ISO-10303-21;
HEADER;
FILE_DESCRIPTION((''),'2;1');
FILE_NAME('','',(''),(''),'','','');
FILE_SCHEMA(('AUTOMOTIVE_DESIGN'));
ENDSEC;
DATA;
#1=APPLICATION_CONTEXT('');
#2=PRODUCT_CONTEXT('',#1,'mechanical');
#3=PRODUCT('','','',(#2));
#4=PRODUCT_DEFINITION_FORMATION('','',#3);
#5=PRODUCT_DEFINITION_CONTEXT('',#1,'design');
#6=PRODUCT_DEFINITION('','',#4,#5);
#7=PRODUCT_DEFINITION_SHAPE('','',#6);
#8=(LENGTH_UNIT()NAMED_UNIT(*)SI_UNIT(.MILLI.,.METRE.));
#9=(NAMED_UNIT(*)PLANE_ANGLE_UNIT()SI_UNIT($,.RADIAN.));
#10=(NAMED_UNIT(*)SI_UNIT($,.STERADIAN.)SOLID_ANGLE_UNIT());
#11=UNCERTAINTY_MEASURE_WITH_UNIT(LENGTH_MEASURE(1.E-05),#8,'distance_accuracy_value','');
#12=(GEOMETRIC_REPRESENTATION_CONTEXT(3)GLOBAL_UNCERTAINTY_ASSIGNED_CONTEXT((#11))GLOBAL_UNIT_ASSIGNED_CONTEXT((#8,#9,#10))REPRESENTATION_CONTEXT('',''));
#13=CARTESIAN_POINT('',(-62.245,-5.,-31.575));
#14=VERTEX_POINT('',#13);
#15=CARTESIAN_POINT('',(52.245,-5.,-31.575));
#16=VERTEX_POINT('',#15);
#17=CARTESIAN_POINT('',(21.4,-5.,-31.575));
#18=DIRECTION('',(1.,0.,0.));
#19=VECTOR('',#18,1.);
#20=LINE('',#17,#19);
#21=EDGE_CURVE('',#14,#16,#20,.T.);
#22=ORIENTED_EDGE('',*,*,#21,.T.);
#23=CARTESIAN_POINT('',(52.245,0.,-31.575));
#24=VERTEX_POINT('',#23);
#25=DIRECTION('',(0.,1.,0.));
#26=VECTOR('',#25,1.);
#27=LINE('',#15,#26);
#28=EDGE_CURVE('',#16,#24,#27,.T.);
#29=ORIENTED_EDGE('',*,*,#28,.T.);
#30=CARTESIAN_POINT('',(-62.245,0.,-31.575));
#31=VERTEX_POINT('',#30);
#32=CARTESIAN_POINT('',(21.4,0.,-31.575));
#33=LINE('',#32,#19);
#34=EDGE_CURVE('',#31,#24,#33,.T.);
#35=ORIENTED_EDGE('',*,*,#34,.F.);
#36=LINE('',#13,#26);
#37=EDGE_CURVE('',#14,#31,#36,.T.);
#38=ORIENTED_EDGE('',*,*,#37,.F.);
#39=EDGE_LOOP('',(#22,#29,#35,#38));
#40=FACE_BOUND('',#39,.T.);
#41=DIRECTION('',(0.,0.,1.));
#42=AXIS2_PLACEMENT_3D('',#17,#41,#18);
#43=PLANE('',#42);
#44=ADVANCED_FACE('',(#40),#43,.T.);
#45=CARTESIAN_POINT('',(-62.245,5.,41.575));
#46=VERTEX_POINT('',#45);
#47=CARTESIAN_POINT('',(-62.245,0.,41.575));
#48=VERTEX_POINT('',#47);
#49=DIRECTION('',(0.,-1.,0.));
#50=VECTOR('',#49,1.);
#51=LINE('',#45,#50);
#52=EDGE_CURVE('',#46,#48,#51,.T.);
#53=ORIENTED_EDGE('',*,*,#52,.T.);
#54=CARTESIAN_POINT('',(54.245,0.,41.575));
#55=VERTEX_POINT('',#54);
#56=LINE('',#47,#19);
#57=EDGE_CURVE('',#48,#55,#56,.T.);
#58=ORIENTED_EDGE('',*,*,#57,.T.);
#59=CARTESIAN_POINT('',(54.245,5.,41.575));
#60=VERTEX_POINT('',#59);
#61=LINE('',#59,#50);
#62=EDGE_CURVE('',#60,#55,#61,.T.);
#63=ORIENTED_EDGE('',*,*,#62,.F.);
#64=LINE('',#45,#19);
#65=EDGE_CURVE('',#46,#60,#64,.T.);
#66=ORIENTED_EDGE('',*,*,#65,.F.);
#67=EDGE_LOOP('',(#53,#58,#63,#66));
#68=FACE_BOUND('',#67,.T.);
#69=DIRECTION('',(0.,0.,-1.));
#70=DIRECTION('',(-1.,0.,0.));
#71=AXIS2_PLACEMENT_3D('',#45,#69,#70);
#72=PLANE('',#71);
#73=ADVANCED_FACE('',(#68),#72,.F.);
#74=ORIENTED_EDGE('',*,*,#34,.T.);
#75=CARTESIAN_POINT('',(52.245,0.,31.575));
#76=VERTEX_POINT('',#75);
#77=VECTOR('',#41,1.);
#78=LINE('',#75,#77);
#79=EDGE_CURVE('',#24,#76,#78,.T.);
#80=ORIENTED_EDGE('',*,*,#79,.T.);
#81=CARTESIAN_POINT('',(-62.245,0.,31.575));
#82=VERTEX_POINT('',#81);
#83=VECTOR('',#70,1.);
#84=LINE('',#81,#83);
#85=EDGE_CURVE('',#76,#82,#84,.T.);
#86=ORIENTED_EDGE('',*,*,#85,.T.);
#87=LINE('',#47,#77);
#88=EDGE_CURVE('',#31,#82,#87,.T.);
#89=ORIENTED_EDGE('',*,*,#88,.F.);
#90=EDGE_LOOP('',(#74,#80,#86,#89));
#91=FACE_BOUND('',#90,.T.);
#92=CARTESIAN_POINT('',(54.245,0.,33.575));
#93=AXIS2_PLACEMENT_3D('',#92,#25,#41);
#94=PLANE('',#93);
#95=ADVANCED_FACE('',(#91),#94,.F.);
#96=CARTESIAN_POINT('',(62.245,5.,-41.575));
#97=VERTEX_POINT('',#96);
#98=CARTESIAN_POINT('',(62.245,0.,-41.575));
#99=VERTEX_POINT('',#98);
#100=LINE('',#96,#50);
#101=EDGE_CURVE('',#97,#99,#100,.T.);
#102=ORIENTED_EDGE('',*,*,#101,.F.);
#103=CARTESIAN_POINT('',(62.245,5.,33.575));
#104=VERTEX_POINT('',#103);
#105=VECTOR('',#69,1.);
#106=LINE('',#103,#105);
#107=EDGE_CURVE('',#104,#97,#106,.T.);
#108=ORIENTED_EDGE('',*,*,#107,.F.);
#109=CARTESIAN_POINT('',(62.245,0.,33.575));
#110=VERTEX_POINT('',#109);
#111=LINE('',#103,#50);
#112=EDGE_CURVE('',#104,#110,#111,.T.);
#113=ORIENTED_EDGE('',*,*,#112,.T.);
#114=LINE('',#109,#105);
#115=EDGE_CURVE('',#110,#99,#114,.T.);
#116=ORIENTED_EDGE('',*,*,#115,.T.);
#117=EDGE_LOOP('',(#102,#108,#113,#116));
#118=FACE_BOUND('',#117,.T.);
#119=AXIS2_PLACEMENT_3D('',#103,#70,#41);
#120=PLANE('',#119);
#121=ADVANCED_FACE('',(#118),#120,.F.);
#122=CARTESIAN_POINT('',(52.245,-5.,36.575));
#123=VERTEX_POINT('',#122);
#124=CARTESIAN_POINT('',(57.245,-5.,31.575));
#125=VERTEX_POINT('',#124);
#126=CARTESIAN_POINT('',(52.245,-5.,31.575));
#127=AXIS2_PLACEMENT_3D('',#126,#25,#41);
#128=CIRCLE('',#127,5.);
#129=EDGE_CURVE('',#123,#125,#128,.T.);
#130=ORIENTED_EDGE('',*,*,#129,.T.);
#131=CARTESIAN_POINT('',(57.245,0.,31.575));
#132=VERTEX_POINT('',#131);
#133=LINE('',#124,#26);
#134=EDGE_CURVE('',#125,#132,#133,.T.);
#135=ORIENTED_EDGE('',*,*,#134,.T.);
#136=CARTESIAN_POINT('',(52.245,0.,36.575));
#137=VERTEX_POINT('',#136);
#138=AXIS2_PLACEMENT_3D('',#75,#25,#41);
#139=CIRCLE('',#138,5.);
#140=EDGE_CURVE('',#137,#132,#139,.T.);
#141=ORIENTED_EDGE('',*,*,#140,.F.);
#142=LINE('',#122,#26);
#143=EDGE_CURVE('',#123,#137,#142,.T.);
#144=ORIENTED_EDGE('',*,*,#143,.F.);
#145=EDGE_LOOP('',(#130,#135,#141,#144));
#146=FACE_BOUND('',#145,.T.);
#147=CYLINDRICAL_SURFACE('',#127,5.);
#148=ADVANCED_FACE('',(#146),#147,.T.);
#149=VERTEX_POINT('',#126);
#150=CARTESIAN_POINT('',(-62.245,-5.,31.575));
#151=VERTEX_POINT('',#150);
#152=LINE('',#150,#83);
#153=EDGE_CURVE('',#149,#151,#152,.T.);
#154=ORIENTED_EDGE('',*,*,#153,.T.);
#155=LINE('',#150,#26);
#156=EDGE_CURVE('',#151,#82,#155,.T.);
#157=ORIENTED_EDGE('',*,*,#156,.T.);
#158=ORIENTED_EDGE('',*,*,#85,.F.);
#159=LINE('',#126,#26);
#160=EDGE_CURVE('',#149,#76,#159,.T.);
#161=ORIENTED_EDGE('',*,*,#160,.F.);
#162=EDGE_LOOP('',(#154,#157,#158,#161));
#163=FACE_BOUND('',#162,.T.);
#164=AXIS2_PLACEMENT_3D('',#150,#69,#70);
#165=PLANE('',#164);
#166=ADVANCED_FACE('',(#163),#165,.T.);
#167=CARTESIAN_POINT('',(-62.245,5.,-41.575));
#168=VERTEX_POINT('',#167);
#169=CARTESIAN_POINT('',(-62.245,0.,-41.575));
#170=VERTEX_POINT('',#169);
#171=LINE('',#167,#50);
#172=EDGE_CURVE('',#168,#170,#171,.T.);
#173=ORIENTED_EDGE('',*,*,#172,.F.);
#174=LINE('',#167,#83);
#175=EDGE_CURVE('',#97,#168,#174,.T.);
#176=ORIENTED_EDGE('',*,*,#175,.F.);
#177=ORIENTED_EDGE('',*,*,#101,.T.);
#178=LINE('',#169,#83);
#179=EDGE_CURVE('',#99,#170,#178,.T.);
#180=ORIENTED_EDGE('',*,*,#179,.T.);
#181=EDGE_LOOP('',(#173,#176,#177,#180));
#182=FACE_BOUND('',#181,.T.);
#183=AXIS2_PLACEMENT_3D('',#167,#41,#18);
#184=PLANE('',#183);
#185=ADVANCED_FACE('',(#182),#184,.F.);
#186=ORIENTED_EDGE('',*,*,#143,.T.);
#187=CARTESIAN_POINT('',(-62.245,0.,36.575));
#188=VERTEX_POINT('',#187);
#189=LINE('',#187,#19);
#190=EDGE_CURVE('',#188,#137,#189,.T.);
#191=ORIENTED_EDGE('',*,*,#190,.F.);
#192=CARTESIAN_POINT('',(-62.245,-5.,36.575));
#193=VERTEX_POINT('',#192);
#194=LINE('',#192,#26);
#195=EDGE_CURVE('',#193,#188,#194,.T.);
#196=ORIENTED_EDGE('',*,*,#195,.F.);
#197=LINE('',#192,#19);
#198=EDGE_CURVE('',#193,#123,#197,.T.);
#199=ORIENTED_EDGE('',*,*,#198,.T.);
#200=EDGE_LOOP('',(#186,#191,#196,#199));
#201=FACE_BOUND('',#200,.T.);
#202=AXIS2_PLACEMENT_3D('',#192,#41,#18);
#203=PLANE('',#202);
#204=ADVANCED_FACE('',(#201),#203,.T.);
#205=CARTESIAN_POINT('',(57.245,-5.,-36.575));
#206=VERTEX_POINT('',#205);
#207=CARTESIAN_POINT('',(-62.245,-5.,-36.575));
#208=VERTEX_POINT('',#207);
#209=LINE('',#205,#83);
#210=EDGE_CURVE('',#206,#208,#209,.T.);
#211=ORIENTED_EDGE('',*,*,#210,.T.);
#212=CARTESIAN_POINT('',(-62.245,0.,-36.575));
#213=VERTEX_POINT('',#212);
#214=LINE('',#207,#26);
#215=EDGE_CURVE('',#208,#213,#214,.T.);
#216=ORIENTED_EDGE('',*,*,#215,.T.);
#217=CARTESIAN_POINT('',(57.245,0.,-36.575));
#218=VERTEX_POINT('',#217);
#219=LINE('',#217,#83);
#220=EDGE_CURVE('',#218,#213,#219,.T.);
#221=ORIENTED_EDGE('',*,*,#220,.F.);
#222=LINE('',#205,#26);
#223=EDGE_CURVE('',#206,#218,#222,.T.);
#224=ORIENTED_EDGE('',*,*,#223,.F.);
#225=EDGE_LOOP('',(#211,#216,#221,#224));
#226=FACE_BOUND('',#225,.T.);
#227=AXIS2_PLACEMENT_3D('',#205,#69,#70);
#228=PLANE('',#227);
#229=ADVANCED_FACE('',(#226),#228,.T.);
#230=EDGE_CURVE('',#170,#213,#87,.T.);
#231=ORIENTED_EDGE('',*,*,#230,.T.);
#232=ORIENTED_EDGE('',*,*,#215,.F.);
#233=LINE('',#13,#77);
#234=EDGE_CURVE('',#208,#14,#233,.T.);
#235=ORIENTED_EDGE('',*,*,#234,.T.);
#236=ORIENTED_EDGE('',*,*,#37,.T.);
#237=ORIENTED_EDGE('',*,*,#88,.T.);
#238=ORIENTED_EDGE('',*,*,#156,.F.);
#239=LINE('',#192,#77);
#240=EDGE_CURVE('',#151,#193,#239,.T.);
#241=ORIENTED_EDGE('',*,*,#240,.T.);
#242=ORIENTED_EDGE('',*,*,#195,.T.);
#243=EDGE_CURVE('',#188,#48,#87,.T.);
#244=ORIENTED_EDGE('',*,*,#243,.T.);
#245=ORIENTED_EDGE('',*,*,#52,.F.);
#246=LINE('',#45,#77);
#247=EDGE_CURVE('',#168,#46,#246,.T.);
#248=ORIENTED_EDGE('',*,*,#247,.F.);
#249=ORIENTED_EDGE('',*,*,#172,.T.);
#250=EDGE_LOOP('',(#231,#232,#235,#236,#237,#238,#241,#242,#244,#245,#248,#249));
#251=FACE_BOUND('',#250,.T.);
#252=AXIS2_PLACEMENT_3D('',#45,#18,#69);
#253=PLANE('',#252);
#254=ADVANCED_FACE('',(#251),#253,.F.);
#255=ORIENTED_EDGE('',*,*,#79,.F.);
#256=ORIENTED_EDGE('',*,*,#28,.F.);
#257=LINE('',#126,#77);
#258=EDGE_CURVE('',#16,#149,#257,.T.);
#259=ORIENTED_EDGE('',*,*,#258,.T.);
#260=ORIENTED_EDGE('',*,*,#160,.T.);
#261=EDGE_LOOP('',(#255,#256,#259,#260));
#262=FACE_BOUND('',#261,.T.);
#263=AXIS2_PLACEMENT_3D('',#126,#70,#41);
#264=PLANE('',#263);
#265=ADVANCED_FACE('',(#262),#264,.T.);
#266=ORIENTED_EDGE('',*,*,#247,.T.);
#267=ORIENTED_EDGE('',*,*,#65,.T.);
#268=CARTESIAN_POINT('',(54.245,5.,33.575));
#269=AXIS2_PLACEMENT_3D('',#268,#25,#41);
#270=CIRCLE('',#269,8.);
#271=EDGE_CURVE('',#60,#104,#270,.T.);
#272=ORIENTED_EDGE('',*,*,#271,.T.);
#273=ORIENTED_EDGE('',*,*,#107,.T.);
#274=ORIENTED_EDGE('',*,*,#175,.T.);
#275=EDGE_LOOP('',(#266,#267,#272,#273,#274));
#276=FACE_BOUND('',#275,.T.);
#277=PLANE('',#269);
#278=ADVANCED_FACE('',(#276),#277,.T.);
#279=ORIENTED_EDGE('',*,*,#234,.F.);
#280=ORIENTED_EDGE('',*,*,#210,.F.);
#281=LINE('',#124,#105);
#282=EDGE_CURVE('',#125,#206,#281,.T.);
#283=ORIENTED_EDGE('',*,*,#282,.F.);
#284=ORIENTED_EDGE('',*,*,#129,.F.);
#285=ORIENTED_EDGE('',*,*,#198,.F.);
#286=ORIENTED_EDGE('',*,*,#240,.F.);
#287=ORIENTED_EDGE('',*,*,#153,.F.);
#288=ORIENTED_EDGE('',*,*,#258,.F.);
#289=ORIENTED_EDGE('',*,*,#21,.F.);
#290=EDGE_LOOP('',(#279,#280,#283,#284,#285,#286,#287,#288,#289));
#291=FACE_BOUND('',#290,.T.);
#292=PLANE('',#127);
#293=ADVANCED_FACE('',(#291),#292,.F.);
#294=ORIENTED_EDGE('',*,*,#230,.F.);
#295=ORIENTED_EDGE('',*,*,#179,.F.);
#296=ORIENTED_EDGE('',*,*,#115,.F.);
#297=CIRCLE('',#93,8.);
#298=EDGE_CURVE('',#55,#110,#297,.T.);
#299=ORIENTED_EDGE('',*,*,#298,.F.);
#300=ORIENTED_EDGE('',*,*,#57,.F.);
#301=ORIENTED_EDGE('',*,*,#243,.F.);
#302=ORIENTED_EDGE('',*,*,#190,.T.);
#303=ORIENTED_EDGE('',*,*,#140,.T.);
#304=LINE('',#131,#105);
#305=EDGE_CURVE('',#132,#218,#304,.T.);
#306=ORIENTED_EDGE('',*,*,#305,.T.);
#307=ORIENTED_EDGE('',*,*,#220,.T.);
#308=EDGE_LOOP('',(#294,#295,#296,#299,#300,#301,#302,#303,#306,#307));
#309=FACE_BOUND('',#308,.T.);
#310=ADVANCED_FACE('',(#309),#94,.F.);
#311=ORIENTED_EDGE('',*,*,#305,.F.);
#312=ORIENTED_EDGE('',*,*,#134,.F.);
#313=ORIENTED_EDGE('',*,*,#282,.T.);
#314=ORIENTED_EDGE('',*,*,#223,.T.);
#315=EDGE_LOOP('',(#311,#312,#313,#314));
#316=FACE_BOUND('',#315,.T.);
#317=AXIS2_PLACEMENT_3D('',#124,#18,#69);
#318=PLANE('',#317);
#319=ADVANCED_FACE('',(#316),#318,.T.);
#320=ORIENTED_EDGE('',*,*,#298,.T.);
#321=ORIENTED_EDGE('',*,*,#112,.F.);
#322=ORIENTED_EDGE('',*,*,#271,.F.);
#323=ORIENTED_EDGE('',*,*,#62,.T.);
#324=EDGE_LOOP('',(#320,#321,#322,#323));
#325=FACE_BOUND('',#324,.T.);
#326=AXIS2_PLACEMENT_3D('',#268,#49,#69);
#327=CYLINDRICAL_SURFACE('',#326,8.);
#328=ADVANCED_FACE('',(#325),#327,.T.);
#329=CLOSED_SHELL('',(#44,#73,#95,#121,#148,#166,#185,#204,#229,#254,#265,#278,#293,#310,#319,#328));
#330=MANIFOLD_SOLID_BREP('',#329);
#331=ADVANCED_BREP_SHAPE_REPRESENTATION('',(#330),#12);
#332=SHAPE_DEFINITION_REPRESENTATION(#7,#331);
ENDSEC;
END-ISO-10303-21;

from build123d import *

# Parameters (mm, degrees)
SALIENTE_EXTRUIR1_DEPTH = 5
SALIENTE_EXTRUIR2_DEPTH = 5


with BuildPart() as part:
    # Croquis1 → Saliente-Extruir1 (new body)
    with BuildSketch(Plane(origin=(0, 0, 0), x_dir=(1, 0, 0), z_dir=(0, 1, 0))):
        with BuildLine():
            Line((-62.245, -41.575), (54.245, -41.575))
            ThreePointArc((54.245, -41.575), (59.901854249, -39.231854249), (62.245, -33.575))
            Line((62.245, -33.575), (62.245, 41.575))
            Line((62.245, 41.575), (-62.245, 41.575))
            Line((-62.245, 41.575), (-62.245, -41.575))
        make_face()
    extrude(amount=SALIENTE_EXTRUIR1_DEPTH)

    # Croquis2 → Saliente-Extruir2 (add)
    with BuildSketch(Plane(origin=(0, 0, 0), x_dir=(1, 0, 0), z_dir=(0, 1, 0))):
        with BuildLine():
            Line((52.245, -31.575), (52.245, 31.575))
            Line((52.245, 31.575), (21.4, 31.575))
            Line((21.4, 31.575), (-62.245, 31.575))
            Line((-62.245, 31.575), (-62.245, 36.575))
            Line((-62.245, 36.575), (57.245, 36.575))
            Line((57.245, 36.575), (57.245, -31.575))
            ThreePointArc((57.245, -31.575), (55.780533906, -35.110533906), (52.245, -36.575))
            Line((52.245, -36.575), (-62.245, -36.575))
            Line((-62.245, -36.575), (-62.245, -31.575))
            Line((-62.245, -31.575), (52.245, -31.575))
        make_face()
    extrude(amount=-SALIENTE_EXTRUIR2_DEPTH)


solid = part.part
